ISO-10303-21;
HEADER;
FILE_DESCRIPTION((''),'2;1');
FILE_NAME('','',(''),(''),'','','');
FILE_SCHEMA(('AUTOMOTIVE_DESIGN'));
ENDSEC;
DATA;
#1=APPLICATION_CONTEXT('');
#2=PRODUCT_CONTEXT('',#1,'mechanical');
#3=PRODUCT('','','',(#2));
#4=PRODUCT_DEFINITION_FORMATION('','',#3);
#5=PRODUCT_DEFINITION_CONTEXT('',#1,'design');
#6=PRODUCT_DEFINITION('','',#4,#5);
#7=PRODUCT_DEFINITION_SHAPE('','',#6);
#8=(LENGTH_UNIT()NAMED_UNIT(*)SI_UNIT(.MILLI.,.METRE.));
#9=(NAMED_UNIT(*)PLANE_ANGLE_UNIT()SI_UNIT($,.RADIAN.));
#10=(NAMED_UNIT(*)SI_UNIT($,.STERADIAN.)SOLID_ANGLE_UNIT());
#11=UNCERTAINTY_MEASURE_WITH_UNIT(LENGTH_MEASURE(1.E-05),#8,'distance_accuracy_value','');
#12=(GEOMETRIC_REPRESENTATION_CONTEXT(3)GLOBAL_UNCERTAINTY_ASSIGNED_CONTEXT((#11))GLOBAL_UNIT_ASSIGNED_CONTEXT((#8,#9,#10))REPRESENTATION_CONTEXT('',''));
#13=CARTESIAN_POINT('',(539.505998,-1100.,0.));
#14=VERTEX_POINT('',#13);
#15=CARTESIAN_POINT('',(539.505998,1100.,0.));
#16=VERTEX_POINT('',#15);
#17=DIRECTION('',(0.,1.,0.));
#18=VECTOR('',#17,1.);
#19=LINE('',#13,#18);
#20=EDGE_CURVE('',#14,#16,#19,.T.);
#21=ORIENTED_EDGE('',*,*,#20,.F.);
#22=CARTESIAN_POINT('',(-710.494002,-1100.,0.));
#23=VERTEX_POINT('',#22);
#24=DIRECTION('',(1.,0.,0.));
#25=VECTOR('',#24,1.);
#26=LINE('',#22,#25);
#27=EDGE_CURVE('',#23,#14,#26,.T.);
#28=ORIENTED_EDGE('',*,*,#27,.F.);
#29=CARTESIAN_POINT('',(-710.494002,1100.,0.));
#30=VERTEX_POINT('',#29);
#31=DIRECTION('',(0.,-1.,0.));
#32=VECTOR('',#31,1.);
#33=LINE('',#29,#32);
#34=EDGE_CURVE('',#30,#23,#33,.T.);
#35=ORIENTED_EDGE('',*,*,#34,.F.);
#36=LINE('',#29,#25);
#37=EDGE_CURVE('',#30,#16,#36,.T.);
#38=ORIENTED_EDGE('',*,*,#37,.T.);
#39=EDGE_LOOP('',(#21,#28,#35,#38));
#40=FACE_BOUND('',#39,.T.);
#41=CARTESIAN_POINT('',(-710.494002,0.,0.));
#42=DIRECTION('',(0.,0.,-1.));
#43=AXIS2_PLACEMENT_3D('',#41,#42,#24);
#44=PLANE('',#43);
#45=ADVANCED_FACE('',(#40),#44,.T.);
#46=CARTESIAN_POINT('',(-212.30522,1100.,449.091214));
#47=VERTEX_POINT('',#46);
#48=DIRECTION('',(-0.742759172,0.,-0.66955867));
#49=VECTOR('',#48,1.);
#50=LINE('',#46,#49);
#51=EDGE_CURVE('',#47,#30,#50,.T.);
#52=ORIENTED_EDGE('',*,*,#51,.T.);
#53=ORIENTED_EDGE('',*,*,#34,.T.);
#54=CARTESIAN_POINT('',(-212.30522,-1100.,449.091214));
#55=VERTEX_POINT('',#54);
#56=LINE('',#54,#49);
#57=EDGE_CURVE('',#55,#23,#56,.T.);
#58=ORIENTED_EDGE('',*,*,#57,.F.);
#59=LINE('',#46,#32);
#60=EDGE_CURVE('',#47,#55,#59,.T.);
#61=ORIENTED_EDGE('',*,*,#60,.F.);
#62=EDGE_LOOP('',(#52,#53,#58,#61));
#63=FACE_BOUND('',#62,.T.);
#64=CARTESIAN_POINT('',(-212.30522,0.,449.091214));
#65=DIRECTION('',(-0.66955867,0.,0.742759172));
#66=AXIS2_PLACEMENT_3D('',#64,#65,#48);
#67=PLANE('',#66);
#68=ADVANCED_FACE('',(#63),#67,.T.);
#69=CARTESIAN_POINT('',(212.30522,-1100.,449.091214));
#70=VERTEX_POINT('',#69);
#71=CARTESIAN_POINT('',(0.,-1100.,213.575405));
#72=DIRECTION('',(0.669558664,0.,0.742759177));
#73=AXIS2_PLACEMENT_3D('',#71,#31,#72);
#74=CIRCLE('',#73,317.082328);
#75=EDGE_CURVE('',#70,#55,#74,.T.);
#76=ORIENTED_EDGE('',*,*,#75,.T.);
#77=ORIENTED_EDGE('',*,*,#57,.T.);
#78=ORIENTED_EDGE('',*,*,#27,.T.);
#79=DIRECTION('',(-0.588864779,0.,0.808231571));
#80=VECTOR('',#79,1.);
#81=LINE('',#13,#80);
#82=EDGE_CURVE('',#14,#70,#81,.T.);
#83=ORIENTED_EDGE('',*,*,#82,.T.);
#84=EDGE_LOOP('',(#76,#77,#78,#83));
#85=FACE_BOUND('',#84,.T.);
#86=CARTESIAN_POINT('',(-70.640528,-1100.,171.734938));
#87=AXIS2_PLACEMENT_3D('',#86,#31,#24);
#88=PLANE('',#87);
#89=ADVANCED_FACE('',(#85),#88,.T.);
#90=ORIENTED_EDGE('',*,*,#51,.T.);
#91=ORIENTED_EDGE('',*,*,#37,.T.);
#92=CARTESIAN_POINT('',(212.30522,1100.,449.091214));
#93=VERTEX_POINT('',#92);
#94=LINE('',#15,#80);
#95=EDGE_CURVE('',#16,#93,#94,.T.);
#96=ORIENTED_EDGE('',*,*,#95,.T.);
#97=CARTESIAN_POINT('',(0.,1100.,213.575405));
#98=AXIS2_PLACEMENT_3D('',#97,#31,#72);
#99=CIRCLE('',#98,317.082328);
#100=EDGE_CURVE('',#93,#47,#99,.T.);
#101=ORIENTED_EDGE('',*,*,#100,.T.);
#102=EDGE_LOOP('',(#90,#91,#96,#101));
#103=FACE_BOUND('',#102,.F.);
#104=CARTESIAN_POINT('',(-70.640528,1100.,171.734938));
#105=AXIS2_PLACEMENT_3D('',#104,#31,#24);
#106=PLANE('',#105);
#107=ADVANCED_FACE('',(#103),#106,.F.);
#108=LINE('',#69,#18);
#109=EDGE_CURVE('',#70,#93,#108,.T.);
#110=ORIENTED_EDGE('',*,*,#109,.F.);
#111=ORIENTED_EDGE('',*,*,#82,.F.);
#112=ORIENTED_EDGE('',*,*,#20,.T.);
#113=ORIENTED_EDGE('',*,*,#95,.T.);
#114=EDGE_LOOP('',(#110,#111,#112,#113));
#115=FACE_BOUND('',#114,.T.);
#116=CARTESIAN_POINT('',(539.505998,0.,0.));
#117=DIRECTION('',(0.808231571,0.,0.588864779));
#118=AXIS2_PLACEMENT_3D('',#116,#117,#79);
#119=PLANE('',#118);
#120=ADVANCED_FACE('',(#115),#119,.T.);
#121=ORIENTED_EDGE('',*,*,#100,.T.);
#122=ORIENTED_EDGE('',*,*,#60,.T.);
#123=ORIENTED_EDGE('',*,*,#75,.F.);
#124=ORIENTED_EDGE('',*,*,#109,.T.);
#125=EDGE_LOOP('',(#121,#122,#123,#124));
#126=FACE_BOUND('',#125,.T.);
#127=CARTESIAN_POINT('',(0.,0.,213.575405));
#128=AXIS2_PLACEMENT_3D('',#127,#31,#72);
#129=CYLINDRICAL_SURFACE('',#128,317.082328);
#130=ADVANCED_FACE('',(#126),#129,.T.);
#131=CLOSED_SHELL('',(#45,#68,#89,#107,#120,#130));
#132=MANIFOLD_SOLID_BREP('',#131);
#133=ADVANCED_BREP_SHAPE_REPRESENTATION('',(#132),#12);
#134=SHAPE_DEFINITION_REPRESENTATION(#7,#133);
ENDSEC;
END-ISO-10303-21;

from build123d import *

# Parameters (mm, degrees)
F1_DEPTH = 1100


with BuildPart() as f1:
    # F0 (on Front) → F1 (new body, symmetric)
    with BuildSketch(Plane.XZ):
        with BuildLine():
            ThreePointArc((212.30522, 449.091214), (0, 530.657733), (-212.30522, 449.091214))
            Line((-212.30522, 449.091214), (-710.494002, 0))
            Line((-710.494002, 0), (539.505998, 0))
            Line((539.505998, 0), (212.30522, 449.091214))
        make_face()
    extrude(amount=F1_DEPTH, both=True)


solid = f1.part
